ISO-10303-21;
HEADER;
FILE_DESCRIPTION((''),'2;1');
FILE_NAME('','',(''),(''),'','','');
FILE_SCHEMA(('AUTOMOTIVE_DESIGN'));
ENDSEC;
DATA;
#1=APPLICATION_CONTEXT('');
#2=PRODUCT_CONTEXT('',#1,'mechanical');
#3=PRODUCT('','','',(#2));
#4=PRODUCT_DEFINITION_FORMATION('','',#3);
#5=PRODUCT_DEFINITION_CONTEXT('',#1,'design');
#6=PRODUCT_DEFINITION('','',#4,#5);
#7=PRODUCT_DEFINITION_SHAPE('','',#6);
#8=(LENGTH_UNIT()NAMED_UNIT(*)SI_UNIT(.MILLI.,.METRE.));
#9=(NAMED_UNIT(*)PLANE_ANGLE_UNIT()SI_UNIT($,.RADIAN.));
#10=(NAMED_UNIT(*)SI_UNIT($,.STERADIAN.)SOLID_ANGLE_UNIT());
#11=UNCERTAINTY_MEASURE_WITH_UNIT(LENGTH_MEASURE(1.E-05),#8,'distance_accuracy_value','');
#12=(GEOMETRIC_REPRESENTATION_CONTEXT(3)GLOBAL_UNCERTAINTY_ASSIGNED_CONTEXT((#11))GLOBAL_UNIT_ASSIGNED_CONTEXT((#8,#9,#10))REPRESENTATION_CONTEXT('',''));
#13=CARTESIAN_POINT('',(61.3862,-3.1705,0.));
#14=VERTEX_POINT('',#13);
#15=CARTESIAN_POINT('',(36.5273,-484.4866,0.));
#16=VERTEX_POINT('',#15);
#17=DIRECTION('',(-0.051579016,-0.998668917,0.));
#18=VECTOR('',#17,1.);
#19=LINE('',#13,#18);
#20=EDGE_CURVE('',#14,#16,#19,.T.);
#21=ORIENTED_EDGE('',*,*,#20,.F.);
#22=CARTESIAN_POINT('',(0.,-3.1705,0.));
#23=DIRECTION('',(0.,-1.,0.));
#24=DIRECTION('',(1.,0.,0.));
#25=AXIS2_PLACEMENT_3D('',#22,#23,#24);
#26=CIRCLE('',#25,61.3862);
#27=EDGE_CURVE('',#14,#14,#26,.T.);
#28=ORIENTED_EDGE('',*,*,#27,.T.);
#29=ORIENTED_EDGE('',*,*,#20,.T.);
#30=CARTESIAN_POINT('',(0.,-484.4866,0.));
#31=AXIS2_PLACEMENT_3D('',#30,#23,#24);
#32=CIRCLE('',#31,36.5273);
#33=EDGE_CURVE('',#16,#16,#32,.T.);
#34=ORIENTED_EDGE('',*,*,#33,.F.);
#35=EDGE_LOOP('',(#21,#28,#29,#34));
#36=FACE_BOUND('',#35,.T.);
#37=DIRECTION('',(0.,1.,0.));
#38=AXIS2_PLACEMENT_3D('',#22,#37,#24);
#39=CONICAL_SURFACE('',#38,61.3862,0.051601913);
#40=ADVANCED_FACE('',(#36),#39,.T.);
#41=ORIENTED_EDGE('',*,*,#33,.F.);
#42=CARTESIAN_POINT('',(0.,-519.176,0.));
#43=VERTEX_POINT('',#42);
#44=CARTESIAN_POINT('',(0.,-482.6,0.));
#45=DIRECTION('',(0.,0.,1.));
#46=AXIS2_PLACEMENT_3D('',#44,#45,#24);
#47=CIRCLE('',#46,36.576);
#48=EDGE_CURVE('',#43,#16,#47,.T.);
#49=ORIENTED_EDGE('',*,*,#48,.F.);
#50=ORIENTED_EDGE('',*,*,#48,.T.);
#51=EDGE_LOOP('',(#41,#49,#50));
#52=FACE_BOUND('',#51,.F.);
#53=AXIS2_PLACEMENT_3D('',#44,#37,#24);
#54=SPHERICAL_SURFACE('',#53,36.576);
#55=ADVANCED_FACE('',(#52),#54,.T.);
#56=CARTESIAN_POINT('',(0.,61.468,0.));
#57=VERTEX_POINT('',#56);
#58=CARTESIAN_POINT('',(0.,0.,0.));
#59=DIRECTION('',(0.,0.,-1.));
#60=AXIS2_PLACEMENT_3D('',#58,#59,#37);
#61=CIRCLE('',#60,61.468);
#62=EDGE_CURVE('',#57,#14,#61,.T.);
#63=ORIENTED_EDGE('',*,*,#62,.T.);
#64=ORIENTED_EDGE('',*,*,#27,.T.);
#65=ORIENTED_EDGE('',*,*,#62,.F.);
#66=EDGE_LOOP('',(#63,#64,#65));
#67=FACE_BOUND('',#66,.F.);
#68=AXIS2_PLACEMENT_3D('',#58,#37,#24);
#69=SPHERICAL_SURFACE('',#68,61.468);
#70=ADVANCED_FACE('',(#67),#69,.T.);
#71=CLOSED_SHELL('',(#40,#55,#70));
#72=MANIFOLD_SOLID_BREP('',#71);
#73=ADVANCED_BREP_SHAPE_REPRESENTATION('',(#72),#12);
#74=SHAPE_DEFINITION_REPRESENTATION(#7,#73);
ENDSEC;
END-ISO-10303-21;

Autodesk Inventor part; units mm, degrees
ref_plane "YZ Plane" through (0, 0, 0) normal (1, 0, 0) x (0, 1, 0)
ref_plane "XZ Plane" through (0, 0, 0) normal (0, 1, 0) x (-1, 0, 0)
ref_plane "XY Plane" through (0, 0, 0) normal (0, 0, 1) x (1, 0, 0)
sketch "Sketch1" plane through (0, 0, 0) normal (0, 0, 1) x (1, 0, 0)
  circle A0 centre (0, 0) radius 61.468
  circle A1 centre (0, -482.6) radius 36.576
  line L0 (0, 61.468) -> (0, -519.176)
  line L1 (61.3862, -3.1705) -> (36.5273, -484.4866)
  dimension "d17" = 122.936
  dimension "d18" = 73.152
  dimension "d20" = 519.176
revolve "Revolution1" add sketch "Sketch1" angle 360 about axis through (0, 61.468, 0) along (0, -1, 0) picked at (13.1703, 15.6957) picked at (21.0091, -490.665) contours A0 L0 | L1 A1 L0 A0 | A1 L0
equation "\"d17\" = KNEE_THK"
equation "\"d18\" = ANKLE_THK"
equation "\"d20\" = KNEE_TO_FOOT"
equation "\"d16\" = ELBOW_TO_WRIST"
equation "\"KNEE_THK\" = 122.936"
equation "\"ANKLE_THK\" = 73.152"
equation "\"KNEE_TO_FOOT\" = 519.176"
equation "\"ELBOW_TO_WRIST\" = 260.096"
properties part number "3D HUMAN"
